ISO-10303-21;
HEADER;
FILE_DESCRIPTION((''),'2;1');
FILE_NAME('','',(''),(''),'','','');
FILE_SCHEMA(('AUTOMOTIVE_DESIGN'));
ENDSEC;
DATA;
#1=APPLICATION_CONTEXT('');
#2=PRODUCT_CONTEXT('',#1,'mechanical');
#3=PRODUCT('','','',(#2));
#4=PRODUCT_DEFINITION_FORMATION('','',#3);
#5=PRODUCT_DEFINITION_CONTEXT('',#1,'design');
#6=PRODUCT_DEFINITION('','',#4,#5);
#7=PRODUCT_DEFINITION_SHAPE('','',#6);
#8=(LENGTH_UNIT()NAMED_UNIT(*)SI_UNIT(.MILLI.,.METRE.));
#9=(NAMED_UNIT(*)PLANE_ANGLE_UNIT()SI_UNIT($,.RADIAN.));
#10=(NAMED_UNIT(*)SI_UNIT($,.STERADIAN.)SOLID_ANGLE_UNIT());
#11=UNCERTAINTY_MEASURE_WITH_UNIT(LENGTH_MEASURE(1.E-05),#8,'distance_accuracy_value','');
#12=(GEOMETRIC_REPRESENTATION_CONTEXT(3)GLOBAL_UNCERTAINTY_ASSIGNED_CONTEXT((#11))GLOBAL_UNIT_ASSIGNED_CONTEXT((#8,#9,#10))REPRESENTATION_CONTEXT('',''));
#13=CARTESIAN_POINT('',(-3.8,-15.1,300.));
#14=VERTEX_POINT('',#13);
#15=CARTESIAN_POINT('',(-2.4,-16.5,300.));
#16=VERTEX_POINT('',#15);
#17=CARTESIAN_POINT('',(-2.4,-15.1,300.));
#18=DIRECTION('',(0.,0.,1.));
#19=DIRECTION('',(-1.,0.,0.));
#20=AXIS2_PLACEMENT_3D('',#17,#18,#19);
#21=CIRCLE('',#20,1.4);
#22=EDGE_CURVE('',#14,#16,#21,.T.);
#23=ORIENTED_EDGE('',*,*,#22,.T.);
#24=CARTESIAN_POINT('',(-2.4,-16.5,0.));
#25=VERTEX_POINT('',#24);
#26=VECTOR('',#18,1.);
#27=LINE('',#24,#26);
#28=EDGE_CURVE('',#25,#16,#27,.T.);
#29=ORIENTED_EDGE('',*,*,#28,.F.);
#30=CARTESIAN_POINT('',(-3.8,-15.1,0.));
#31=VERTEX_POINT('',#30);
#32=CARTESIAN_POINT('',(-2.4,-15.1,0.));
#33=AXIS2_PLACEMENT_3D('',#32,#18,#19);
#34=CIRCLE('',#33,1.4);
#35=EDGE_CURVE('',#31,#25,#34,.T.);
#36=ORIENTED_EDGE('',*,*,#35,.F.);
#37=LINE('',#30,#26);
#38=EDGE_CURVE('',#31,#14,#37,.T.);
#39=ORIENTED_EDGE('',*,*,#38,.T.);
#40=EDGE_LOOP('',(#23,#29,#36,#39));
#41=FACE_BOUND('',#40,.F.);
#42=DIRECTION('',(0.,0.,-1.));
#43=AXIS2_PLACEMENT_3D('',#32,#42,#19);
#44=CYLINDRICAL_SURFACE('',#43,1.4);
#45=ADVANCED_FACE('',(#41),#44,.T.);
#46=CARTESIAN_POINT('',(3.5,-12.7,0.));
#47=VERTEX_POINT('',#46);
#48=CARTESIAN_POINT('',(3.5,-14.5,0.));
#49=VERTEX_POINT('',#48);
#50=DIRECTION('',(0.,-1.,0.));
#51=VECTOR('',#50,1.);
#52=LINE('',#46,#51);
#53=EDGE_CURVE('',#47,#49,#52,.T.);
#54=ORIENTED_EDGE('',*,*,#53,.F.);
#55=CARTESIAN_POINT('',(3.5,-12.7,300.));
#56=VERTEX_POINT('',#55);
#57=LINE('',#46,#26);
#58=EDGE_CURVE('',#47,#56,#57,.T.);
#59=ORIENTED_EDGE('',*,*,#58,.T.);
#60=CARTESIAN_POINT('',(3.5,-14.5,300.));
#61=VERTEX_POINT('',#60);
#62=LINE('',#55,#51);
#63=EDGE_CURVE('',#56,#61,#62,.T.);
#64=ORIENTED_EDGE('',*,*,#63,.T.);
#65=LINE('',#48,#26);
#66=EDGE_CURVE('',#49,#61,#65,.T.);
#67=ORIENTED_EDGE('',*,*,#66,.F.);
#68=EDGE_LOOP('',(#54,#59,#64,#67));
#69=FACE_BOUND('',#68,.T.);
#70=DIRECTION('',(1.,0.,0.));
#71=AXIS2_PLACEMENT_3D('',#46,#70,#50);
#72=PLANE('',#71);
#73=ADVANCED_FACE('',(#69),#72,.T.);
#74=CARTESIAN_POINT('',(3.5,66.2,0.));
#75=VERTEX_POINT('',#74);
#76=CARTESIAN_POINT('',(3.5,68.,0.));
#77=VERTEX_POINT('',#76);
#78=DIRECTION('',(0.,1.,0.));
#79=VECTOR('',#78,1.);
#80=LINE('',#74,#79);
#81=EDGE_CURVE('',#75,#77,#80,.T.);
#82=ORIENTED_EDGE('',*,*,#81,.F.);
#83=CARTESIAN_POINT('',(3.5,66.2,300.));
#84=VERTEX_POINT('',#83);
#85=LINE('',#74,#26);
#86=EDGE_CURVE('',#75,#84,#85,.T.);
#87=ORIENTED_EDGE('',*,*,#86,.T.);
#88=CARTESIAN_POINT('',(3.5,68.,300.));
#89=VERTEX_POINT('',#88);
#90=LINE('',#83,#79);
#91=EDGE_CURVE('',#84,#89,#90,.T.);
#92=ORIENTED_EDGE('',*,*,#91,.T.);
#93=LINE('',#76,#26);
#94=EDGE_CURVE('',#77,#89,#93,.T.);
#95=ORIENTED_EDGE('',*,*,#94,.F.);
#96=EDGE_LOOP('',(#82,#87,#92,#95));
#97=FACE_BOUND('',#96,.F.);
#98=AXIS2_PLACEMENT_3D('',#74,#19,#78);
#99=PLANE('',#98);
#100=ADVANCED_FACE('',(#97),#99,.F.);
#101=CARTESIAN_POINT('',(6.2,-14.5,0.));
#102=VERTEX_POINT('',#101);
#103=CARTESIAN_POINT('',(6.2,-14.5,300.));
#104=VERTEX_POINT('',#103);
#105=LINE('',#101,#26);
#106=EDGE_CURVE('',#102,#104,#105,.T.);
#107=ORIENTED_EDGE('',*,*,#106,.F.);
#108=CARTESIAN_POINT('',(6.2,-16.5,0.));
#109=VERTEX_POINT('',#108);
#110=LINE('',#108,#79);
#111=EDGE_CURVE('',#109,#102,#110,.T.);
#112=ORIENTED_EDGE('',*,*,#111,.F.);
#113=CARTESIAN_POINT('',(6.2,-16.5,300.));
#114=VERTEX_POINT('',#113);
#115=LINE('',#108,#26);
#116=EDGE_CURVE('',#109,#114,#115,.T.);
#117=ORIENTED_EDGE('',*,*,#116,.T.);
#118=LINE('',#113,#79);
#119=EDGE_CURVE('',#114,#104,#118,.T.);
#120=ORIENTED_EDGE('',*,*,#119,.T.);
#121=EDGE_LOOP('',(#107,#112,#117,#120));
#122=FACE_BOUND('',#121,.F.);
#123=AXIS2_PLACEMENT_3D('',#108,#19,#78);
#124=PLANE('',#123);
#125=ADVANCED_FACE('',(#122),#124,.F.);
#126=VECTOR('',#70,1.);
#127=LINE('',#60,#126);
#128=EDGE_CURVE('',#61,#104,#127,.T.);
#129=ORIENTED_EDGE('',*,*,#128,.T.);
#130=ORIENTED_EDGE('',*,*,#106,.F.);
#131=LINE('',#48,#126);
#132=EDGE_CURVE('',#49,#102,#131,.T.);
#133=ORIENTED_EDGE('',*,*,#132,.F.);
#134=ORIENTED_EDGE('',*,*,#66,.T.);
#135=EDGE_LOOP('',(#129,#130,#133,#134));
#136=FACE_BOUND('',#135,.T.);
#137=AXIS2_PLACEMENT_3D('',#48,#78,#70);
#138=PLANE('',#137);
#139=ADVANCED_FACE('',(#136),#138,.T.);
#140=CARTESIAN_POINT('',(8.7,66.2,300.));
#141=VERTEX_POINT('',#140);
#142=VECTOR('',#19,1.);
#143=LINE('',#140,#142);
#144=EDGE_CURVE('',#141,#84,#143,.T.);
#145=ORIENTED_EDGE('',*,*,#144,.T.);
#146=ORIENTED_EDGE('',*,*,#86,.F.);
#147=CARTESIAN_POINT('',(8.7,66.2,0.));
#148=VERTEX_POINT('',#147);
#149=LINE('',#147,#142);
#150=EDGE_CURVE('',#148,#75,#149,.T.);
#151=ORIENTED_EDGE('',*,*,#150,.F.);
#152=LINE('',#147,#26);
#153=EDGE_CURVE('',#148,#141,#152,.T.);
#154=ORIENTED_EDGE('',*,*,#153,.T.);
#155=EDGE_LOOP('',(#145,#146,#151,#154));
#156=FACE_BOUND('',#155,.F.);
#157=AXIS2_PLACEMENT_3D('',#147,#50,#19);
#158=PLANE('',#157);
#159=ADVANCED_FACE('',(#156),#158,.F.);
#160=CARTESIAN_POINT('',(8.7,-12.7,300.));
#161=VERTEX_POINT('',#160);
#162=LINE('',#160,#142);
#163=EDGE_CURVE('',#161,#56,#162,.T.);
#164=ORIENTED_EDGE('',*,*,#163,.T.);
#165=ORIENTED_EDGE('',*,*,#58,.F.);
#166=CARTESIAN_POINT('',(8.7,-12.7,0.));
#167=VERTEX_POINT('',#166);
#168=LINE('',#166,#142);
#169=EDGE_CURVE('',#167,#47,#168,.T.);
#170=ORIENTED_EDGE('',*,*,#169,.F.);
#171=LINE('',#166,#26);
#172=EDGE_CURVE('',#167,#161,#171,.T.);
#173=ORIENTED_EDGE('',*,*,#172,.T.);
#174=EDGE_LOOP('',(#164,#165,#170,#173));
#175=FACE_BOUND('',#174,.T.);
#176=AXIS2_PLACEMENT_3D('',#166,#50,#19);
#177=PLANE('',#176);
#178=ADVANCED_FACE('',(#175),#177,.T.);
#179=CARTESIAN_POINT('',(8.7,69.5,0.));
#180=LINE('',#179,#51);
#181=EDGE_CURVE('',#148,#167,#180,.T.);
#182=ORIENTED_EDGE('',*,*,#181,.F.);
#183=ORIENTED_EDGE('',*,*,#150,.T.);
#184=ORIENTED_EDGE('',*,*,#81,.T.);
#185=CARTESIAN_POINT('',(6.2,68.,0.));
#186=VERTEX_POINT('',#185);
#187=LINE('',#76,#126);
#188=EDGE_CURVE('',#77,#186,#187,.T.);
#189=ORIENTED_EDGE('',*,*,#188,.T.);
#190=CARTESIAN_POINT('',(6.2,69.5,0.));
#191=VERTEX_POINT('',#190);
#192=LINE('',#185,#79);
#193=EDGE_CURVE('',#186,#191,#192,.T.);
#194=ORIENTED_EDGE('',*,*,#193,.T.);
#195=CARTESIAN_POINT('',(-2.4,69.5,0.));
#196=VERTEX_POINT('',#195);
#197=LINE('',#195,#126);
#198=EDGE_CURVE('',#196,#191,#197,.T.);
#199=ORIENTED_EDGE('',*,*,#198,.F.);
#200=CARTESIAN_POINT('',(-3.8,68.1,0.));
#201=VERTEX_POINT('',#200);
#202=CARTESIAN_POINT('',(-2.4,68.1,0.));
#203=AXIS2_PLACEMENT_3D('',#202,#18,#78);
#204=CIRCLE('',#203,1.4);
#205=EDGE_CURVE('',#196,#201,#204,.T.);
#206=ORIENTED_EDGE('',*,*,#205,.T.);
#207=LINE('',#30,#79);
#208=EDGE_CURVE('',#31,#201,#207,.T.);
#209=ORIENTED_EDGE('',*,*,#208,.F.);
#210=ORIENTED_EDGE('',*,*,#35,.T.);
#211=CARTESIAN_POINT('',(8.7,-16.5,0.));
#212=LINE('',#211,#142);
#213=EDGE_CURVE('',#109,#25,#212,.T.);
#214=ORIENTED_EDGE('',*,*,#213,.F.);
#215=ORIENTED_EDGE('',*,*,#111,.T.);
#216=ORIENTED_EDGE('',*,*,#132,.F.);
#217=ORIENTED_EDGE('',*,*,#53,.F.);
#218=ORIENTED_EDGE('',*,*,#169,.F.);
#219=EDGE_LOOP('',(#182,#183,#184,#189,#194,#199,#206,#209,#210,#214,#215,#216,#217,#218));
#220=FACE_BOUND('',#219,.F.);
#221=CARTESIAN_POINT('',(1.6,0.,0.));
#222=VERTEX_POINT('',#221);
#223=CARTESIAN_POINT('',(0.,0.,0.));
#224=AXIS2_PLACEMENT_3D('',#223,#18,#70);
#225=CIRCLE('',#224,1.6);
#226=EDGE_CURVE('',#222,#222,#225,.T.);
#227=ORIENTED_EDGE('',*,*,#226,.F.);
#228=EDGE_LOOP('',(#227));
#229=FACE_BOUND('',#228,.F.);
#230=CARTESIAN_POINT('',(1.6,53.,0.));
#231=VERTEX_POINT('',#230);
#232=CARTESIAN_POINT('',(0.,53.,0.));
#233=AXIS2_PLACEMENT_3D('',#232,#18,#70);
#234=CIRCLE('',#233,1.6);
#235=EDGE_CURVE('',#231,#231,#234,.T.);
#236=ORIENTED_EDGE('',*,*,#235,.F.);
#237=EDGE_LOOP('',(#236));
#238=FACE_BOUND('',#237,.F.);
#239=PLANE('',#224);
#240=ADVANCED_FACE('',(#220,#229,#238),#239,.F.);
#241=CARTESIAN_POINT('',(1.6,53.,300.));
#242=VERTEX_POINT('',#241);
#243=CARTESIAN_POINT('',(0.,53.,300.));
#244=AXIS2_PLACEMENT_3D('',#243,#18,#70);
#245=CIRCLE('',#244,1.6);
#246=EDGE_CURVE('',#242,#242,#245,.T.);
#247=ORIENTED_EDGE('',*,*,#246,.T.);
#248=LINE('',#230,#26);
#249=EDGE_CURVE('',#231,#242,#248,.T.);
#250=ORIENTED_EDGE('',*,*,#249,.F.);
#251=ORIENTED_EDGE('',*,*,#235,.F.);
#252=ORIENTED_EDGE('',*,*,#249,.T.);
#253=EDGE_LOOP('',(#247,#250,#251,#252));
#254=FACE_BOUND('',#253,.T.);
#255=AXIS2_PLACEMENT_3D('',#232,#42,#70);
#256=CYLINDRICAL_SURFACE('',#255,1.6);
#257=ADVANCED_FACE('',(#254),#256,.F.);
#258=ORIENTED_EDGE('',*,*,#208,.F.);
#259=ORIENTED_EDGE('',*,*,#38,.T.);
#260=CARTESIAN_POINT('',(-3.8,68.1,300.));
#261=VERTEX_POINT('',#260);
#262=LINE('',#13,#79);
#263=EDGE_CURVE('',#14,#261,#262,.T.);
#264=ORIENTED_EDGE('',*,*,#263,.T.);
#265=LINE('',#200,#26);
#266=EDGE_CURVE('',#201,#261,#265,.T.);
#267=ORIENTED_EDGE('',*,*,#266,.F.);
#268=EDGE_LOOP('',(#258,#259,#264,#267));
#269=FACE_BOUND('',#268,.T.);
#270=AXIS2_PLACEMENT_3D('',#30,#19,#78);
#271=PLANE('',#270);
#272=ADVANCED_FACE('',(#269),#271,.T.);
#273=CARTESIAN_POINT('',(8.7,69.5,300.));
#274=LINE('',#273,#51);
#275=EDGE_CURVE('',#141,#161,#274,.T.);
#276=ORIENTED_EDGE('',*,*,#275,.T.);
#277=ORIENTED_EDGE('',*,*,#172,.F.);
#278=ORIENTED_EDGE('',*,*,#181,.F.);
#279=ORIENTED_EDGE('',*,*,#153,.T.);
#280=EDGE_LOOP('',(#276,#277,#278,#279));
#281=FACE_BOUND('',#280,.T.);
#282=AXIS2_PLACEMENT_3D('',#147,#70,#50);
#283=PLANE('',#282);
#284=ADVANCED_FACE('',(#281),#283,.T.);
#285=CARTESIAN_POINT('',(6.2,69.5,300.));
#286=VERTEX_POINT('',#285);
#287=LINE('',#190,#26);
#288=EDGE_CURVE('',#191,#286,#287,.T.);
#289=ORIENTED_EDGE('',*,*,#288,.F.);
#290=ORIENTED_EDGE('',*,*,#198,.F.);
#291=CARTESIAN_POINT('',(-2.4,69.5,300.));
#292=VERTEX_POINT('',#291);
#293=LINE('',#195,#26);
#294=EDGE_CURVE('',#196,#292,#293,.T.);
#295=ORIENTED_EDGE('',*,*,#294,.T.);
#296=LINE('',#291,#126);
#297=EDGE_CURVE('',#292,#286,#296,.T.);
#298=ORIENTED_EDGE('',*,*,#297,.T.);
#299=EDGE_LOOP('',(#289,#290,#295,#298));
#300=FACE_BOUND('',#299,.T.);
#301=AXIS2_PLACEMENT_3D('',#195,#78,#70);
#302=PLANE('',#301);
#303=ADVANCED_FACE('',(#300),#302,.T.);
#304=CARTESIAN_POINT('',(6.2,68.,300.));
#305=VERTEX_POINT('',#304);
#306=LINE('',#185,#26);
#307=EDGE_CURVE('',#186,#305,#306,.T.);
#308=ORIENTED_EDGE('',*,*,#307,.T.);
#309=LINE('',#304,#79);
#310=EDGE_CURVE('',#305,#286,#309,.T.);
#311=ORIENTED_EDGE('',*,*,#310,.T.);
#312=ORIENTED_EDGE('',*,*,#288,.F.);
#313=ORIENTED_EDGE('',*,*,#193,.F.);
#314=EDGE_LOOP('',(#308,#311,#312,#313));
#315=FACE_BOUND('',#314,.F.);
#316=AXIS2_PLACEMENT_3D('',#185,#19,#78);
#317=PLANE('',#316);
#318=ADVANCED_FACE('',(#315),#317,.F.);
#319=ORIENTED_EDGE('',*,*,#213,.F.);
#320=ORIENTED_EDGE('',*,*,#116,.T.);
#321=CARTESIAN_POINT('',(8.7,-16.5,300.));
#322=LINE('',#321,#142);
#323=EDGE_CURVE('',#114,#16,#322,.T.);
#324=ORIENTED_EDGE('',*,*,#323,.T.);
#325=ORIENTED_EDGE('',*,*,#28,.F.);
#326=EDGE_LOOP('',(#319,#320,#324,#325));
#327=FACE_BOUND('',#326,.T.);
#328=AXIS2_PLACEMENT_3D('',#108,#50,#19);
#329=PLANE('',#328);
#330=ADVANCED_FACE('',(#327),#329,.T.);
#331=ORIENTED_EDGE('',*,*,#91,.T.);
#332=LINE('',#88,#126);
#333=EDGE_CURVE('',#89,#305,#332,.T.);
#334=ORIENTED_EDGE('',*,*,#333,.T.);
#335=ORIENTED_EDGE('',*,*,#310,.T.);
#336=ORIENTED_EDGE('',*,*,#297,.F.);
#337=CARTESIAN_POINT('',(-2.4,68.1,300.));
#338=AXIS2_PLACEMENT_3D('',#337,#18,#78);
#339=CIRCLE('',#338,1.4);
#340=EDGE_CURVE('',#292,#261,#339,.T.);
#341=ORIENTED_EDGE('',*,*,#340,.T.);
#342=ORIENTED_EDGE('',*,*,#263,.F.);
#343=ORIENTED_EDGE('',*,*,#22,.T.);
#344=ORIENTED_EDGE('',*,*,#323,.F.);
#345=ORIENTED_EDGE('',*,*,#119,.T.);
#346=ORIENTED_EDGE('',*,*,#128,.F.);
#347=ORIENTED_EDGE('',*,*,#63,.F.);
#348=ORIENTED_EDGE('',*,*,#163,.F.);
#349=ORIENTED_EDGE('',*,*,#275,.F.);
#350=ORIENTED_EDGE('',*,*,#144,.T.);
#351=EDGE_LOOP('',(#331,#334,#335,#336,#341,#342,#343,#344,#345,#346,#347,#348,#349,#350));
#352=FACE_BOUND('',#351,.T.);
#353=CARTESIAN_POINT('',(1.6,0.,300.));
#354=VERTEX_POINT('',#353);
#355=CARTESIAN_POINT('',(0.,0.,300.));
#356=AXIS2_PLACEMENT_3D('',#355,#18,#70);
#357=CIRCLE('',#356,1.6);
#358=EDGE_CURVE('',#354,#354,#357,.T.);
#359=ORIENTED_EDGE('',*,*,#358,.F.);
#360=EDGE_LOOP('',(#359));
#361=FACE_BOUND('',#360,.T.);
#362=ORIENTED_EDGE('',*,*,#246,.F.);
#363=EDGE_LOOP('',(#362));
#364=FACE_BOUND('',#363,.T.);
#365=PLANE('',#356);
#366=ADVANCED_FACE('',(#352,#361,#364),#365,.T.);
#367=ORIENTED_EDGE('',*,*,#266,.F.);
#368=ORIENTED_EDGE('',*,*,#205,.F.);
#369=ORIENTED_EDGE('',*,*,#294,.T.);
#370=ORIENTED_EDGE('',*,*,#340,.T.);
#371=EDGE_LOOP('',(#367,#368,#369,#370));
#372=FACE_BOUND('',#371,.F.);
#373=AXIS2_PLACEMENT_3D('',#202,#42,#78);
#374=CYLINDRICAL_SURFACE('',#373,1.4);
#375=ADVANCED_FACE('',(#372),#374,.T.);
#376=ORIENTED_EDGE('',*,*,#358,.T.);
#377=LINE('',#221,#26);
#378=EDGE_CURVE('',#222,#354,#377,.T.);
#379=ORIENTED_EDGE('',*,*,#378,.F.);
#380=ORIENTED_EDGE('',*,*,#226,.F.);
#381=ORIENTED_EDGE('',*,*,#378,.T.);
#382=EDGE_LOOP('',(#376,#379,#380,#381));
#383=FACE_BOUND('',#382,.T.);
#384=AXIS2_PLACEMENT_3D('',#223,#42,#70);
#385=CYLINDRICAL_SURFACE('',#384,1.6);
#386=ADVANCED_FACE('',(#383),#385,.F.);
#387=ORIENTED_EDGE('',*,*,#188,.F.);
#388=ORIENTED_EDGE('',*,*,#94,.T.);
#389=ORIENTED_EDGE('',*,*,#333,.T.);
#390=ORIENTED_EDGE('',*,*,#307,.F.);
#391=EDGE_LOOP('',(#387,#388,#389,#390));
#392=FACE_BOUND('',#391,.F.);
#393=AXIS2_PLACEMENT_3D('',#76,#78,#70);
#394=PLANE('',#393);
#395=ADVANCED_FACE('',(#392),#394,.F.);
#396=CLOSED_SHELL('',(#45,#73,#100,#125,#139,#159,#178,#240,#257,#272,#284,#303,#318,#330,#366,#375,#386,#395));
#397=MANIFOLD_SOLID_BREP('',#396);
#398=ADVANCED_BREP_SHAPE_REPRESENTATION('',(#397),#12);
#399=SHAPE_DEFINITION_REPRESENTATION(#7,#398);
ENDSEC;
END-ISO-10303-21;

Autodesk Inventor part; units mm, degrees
ref_plane "YZ Plane" through (0, 0, 0) normal (1, 0, 0) x (0, 1, 0)
ref_plane "XZ Plane" through (0, 0, 0) normal (0, 1, 0) x (-1, 0, 0)
ref_plane "XY Plane" through (0, 0, 0) normal (0, 0, 1) x (1, 0, 0)
sketch "Skizze1" plane through (0, 0, 0) normal (0, 0, 1) x (1, 0, 0)
  circle A0 centre (0, 0) radius 1.6
  circle A1 centre (0, 53) radius 1.6
  line L0 (-2.4, 69.5) -> (8.7, 69.5)
  line L1 (8.7, 69.5) -> (8.7, -16.5)
  line L2 (8.7, -16.5) -> (-2.4, -16.5)
  line L3 (-3.8, -15.1) -> (-3.8, 68.1)
  arc A2 (-2.4, 69.5) -> (-3.8, 68.1) centre (-2.4, 68.1) ccw
  arc A3 (-3.8, -15.1) -> (-2.4, -16.5) centre (-2.4, -15.1) ccw
  line L4 (3.5, 68) -> (8.7, 68)
  line L5 (8.7, 68) -> (8.7, 66.2)
  line L6 (8.7, 66.2) -> (3.5, 66.2)
  line L7 (3.5, 66.2) -> (3.5, 68)
  line L8 (6.2, 69.5) -> (8.7, 69.5)
  line L9 (8.7, 69.5) -> (8.7, 68)
  line L10 (8.7, 68) -> (6.2, 68)
  line L11 (6.2, 68) -> (6.2, 69.5)
  line L12 (8.7, -12.7) -> (3.5, -12.7)
  line L13 (3.5, -12.7) -> (3.5, -14.5)
  line L14 (3.5, -14.5) -> (8.7, -14.5)
  line L15 (8.7, -14.5) -> (8.7, -12.7)
  line L16 (6.2, -14.5) -> (8.7, -14.5)
  line L17 (8.7, -14.5) -> (8.7, -16.5)
  line L18 (8.7, -16.5) -> (6.2, -16.5)
  line L19 (6.2, -16.5) -> (6.2, -14.5)
  point P0 (-3.8, 69.5)
  point P1 (-3.8, -16.5)
  point P2 (6.2, 68.75)
  point P3 (7.45, -16.5)
  point P4 (7.45, -14.5)
  dimension "d0" = 3.2
  dimension "d1" = 12.5
  dimension "d2" = 86
  dimension "d3" = 16.5
  dimension "d4" = 16.5
  dimension "d5" = 3.8
  dimension "d6" = 1.4
  dimension "d7" = 2.5
  dimension "d8" = 5.2
  dimension "d9" = 1.5
  dimension "d10" = 1.8
  dimension "d11" = 5.2
  dimension "d12" = 1.8
  dimension "d14" = 2.5
  dimension "d15" = 2
extrude "Extrusion1" add sketch "Skizze1" along normal blind 300 contours L0 L11 L4 L7 L6 L1 L12 L13 L14 L19 L2 A3 L3 A2
properties part number "Case_Side"
